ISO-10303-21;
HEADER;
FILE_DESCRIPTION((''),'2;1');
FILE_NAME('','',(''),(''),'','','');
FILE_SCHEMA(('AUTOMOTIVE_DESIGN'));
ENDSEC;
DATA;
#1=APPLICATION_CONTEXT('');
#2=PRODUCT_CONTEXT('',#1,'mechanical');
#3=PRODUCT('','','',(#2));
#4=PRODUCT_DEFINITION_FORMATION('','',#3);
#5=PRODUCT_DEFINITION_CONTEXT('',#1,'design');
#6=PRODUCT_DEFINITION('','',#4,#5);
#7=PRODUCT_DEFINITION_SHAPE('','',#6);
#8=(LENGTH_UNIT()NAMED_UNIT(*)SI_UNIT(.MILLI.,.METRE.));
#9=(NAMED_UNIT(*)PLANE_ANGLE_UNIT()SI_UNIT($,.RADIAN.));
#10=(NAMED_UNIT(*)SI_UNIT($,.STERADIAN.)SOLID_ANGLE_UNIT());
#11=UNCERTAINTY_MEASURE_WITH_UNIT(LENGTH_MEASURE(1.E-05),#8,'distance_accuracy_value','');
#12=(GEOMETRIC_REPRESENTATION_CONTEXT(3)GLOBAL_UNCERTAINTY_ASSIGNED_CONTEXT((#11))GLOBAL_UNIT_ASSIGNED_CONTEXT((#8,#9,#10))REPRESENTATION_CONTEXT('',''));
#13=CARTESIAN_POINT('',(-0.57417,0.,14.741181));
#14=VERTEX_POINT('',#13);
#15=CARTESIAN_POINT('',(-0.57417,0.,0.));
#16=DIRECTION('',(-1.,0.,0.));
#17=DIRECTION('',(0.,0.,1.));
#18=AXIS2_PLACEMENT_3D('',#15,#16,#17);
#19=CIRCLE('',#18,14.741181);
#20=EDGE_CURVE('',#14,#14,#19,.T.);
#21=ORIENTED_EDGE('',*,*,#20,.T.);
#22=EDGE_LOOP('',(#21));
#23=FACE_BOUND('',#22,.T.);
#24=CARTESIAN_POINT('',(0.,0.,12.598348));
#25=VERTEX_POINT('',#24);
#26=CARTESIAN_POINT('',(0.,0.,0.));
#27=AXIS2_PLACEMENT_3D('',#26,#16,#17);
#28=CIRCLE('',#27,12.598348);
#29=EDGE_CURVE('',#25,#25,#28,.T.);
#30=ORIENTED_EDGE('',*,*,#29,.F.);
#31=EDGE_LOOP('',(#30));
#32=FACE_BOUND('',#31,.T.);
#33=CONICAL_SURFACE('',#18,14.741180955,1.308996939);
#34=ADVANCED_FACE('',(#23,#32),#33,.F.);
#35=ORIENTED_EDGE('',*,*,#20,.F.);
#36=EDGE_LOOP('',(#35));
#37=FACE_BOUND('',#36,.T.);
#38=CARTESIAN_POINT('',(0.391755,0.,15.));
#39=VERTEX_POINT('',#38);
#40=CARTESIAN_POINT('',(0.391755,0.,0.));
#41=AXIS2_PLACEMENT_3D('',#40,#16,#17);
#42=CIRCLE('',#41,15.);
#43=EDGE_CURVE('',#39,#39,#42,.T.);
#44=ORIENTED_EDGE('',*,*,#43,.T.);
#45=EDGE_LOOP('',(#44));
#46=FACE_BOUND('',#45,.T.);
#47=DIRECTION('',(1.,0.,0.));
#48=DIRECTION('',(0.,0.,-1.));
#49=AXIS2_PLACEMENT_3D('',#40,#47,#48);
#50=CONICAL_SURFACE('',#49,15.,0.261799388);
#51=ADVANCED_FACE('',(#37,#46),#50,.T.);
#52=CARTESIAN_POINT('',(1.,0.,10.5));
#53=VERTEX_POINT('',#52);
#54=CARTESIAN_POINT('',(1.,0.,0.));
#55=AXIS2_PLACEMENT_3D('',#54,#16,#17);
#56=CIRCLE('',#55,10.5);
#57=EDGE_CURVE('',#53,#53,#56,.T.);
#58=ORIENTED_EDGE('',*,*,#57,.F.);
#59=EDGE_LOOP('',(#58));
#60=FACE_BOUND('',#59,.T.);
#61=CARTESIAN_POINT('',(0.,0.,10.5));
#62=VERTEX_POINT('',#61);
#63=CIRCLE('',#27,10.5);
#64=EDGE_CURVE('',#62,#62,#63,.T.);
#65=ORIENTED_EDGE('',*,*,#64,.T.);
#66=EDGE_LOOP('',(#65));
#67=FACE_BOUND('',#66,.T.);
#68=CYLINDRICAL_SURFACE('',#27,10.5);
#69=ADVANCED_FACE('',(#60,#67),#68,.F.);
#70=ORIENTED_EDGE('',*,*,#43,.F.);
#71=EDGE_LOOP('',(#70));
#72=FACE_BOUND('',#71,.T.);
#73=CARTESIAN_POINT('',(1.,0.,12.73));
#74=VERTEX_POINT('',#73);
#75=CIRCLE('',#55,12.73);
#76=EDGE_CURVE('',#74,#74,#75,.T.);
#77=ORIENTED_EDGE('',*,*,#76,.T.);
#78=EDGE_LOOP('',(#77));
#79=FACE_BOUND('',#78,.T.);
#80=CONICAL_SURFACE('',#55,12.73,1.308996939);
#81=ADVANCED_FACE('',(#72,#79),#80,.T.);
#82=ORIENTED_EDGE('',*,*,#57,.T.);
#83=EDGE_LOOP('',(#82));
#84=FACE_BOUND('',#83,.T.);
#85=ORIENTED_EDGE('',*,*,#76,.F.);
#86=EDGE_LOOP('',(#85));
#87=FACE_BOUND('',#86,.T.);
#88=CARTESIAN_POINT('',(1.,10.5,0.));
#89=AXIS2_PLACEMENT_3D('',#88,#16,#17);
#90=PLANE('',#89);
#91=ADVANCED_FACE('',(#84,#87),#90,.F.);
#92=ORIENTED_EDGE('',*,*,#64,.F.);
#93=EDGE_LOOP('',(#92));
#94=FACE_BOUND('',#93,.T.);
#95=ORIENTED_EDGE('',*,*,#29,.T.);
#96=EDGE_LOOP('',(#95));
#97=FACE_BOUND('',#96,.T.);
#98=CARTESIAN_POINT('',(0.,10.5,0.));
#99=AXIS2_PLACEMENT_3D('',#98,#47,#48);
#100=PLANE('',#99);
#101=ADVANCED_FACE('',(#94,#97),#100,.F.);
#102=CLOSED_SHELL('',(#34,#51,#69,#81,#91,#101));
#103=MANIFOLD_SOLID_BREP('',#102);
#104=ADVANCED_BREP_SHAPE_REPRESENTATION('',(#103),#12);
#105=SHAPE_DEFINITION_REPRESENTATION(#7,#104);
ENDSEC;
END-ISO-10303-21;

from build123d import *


with BuildPart() as part:
    # Sketch1 → Revolve1 (revolve)
    with BuildSketch(Plane.XY):
        Polygon((0, 10.5), (0, 12.598347502), (-0.574170493, 14.741180955), (0.391755333, 15), (1, 12.73), (1, 10.5), align=None)
    revolve(axis=Axis((0, 0, 0), (1, 0, 0)))


solid = part.part
